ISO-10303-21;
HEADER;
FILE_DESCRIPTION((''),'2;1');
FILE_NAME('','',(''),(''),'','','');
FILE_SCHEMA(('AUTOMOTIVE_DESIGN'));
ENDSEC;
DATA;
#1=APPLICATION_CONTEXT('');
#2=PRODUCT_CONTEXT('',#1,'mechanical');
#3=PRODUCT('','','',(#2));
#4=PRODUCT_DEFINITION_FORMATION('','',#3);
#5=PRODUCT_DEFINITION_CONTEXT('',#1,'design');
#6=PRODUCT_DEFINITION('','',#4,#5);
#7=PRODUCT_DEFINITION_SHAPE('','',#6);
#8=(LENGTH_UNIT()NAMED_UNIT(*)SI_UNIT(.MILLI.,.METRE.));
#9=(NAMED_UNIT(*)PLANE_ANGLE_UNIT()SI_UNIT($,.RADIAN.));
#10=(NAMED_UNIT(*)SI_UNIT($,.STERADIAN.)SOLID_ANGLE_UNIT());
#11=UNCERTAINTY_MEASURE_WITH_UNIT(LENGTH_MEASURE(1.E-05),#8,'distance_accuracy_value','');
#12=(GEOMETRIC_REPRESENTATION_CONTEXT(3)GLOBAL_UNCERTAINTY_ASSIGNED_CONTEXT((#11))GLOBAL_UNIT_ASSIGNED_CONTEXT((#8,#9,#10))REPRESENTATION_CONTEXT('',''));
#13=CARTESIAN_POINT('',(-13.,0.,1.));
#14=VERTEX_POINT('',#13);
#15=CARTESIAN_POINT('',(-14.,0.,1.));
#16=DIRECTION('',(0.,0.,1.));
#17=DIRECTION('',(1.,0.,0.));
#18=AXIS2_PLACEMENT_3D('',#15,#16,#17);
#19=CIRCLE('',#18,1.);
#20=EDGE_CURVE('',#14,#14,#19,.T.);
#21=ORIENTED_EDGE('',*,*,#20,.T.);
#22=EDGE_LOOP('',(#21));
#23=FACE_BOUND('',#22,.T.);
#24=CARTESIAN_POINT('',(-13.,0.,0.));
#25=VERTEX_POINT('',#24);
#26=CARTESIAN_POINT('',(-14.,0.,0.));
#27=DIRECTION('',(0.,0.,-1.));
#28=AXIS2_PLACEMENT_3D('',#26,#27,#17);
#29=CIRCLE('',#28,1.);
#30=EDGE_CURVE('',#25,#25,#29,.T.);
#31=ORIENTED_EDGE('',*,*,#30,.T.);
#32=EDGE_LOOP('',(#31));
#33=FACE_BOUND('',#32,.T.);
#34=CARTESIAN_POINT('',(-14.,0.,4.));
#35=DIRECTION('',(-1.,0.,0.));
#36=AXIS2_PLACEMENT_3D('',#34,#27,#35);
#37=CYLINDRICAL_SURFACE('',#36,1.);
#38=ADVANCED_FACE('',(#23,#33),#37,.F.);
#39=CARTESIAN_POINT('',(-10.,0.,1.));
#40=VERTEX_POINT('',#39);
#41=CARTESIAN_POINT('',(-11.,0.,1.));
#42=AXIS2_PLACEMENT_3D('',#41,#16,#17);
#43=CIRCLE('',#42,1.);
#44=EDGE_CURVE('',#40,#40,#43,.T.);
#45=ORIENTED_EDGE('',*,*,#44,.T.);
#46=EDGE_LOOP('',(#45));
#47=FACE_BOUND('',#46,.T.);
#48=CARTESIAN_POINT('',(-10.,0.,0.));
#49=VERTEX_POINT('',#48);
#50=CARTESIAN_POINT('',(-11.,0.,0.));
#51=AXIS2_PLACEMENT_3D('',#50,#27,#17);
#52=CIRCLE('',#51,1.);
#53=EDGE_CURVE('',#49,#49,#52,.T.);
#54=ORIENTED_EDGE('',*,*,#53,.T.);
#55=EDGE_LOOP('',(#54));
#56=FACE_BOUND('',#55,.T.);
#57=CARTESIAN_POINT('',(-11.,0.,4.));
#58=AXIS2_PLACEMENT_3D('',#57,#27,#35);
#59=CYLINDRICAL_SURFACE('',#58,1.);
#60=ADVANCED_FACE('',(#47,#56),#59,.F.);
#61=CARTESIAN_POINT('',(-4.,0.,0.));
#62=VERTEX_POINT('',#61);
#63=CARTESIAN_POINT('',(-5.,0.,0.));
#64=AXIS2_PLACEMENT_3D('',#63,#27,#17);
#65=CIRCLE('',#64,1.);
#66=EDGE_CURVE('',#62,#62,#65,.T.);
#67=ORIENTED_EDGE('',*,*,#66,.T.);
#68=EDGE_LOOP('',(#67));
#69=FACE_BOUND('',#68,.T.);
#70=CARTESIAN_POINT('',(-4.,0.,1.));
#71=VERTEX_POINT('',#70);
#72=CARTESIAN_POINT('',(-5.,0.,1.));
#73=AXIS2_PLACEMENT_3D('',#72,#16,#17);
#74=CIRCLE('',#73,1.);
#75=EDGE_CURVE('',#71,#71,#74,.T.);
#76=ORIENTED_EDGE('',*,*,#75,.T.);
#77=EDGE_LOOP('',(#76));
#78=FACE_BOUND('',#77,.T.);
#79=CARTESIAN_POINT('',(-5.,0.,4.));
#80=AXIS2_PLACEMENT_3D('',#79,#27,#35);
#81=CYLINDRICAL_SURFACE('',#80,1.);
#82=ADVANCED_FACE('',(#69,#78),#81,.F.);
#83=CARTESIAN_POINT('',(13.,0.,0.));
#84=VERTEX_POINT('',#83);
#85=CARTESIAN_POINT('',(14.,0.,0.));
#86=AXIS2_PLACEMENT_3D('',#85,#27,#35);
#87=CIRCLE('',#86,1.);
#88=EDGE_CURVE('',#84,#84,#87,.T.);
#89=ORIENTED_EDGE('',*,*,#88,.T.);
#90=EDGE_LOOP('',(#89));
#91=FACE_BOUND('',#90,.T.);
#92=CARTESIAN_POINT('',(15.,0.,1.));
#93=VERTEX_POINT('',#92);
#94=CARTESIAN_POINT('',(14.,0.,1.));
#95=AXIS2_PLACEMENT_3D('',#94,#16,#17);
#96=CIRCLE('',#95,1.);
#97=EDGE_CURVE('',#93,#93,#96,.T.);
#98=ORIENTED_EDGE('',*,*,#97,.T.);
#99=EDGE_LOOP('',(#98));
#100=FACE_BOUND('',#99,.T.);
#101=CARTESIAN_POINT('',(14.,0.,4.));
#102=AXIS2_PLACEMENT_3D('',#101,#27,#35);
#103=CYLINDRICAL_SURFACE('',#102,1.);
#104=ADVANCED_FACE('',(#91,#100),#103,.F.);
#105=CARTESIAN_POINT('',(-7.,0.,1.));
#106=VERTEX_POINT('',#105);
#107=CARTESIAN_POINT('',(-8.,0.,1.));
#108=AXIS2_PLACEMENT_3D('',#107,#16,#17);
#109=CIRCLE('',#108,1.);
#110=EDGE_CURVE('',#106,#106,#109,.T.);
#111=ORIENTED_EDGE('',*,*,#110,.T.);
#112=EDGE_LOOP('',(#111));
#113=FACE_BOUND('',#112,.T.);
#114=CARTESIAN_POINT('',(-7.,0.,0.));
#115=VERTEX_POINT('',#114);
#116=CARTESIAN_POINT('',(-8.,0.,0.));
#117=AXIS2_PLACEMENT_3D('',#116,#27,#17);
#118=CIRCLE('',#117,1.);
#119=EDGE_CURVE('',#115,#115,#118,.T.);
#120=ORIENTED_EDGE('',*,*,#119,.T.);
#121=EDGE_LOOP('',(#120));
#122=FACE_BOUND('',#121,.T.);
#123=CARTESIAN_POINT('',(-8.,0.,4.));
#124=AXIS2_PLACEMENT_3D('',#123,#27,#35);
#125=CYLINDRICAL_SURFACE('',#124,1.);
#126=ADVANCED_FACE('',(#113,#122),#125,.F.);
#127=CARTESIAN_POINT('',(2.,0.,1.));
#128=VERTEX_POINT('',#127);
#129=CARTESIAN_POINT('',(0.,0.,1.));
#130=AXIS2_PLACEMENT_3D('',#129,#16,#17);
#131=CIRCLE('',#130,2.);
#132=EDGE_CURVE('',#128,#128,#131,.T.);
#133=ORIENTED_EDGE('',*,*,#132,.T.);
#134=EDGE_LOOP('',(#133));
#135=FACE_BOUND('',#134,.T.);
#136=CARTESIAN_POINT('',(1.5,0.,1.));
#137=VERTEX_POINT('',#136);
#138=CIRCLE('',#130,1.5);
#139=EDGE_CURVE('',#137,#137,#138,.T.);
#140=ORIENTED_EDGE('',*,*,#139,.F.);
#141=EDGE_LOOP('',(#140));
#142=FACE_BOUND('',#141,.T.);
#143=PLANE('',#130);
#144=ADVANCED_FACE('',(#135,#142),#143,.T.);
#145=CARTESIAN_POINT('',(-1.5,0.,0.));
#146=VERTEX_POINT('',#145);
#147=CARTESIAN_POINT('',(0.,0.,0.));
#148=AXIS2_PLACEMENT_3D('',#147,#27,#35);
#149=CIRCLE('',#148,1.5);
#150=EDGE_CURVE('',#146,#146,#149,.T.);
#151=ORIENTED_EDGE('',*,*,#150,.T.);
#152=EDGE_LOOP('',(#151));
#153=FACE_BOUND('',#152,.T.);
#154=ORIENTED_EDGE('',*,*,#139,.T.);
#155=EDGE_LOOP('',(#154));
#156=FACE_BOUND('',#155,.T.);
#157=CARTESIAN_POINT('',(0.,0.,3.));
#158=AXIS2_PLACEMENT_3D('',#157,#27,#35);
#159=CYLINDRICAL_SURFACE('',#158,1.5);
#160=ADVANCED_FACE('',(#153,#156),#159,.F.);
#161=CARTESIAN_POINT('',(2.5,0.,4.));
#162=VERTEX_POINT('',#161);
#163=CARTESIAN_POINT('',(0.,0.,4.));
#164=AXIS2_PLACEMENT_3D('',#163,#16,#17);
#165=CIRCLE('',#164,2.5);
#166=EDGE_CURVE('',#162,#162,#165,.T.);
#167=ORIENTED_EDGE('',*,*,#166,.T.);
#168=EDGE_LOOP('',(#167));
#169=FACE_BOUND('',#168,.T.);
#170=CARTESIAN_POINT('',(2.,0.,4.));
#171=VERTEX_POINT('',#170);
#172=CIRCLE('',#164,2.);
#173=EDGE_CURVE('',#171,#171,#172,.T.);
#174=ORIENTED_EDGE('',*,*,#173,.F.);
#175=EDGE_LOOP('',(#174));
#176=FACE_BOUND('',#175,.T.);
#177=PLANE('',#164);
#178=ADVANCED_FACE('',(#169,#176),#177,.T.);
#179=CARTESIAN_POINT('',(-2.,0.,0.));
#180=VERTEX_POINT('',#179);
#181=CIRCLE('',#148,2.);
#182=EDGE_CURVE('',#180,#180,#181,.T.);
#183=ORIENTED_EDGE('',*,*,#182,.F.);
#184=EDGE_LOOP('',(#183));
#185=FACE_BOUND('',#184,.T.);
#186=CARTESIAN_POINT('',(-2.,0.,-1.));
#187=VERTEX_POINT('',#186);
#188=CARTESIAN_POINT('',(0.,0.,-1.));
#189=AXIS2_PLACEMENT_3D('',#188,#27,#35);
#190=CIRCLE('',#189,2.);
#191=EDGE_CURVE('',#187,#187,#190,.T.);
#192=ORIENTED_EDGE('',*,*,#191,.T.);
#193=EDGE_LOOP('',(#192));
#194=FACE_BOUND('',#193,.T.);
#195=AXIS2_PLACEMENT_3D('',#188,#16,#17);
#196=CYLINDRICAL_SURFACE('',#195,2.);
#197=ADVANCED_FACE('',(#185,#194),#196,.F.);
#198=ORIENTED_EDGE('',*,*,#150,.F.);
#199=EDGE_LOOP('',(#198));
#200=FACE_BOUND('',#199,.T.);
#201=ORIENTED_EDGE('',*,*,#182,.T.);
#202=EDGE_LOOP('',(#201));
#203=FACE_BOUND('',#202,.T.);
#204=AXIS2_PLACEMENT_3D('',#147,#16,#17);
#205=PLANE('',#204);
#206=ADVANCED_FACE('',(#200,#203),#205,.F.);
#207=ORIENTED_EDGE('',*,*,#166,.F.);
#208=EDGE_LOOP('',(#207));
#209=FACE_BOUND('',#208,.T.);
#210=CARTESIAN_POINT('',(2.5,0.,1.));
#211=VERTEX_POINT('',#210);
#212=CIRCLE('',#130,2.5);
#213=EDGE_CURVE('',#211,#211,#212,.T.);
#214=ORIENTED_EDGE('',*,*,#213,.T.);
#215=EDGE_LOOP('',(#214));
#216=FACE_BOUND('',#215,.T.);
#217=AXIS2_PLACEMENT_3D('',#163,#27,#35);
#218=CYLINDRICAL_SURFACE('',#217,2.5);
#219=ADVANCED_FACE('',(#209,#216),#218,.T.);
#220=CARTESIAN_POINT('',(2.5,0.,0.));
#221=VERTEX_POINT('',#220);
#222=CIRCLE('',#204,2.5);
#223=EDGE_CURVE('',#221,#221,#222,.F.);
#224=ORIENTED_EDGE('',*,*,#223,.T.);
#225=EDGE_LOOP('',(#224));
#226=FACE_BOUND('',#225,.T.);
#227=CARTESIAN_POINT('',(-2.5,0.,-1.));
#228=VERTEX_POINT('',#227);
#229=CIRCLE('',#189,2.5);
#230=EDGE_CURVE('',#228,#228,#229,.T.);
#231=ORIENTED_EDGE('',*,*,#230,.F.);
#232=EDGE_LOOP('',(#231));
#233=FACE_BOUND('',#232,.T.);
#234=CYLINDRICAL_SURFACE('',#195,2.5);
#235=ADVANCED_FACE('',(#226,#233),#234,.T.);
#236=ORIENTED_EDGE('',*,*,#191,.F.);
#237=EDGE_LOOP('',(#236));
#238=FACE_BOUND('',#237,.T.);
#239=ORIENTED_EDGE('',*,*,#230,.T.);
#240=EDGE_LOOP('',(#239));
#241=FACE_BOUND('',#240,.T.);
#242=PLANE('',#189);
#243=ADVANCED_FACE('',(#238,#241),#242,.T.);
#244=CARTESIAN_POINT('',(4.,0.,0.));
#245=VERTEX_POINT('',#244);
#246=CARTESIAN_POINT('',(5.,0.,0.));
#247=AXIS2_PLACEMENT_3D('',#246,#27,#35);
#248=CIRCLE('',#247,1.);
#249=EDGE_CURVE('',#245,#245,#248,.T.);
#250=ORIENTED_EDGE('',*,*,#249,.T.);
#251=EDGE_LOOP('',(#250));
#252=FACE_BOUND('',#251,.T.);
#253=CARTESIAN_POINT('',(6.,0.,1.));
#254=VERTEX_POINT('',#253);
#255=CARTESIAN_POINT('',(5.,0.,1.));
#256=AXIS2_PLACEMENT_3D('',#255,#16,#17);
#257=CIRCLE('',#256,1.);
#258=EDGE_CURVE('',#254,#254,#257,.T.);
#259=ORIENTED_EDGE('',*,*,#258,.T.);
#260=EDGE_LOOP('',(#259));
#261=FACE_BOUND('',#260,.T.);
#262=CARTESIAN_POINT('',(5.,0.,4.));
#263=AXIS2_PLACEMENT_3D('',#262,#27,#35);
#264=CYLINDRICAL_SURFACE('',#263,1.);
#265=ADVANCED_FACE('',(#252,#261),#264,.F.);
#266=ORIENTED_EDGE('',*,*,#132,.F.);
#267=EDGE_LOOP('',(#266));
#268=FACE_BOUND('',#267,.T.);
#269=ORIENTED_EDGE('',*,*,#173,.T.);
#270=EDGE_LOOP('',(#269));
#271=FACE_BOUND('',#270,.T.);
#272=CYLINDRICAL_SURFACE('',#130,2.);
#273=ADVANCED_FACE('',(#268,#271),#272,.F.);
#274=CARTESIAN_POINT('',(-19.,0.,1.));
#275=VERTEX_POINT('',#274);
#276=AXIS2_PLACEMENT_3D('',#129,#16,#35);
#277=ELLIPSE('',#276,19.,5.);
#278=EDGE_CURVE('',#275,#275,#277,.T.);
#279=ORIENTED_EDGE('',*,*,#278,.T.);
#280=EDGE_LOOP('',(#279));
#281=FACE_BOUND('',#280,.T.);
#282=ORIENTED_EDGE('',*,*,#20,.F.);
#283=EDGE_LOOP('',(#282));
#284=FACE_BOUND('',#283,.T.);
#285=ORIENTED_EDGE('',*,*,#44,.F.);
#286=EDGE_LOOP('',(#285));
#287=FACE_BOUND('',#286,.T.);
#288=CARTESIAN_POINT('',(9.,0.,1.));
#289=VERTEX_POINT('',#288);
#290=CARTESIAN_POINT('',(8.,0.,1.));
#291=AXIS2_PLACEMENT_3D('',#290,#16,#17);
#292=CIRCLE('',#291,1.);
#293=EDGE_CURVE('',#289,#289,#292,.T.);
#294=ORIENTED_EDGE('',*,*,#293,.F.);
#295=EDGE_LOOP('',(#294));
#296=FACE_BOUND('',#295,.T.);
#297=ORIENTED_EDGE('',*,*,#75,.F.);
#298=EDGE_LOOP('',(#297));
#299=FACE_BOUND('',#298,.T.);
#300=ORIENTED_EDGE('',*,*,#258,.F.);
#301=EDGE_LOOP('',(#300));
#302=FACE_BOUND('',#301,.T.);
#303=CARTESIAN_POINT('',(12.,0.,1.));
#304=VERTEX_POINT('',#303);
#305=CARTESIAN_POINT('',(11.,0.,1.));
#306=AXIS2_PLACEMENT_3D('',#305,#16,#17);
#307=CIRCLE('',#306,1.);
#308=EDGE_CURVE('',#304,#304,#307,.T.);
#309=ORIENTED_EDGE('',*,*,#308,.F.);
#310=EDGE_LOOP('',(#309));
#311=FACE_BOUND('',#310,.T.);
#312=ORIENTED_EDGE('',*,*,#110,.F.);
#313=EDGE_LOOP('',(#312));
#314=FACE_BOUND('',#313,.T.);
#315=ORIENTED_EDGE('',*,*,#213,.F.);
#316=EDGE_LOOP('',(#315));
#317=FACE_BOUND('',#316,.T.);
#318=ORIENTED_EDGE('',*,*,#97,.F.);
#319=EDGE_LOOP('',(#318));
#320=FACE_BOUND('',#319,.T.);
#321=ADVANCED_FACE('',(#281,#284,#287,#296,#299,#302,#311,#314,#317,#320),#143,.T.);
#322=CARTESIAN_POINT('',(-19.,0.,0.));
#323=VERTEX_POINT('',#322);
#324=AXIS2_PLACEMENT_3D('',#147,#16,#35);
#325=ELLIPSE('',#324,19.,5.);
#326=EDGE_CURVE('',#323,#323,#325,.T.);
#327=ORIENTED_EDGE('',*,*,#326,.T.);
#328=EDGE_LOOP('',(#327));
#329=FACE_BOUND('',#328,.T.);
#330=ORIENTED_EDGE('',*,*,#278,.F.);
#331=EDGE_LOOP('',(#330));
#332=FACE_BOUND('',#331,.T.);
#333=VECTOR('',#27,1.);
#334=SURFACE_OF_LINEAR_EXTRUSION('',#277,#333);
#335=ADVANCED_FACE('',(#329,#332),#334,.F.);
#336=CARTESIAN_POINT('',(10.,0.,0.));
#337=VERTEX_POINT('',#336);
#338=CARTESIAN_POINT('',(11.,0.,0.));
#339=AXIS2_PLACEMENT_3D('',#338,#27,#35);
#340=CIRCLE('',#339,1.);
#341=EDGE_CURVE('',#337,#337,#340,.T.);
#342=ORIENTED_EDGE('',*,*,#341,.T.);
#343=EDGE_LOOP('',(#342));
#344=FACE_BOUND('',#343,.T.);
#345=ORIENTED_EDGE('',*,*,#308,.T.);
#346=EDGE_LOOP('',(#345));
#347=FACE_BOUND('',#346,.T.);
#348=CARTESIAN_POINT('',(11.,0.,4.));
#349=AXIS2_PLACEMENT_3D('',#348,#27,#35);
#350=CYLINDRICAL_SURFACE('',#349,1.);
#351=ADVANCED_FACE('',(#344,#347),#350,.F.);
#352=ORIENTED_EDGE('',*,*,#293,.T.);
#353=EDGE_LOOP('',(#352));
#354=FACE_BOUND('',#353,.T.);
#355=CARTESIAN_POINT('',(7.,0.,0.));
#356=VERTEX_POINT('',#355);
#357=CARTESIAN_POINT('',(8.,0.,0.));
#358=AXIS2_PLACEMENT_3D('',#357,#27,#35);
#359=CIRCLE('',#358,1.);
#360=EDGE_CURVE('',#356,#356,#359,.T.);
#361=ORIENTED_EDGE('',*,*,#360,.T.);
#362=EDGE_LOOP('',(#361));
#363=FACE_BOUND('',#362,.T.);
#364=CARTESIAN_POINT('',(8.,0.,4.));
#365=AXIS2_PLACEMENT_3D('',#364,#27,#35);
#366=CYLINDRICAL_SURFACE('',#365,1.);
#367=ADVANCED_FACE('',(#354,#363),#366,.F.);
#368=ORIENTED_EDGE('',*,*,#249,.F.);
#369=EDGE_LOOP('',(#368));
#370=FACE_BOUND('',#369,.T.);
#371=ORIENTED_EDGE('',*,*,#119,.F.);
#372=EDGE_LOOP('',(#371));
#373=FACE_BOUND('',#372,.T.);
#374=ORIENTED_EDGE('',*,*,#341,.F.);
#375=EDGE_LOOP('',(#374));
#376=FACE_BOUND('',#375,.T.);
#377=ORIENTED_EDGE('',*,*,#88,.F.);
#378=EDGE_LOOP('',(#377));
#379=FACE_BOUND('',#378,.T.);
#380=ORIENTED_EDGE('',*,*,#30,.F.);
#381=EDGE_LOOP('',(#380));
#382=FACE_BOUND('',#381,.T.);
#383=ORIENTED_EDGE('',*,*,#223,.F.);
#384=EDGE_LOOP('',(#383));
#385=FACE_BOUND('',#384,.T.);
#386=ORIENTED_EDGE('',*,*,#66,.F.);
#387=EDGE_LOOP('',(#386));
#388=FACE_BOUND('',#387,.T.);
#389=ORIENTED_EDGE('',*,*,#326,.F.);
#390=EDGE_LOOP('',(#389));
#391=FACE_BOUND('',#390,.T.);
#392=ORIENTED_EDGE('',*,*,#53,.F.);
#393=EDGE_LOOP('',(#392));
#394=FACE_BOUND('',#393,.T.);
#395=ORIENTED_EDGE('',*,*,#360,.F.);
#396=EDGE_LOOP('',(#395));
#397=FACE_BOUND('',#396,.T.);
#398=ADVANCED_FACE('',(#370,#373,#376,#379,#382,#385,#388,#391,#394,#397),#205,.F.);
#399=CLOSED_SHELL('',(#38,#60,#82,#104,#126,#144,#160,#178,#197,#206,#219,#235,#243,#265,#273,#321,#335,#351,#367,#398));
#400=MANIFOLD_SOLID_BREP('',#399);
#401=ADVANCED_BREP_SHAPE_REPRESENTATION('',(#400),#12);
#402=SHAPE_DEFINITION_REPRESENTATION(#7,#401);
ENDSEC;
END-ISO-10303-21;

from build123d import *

# Parameters (mm, degrees)
SKETCH_1_RX         = 19
SKETCH_1_RY         = 5
EXTRUDE_1_DEPTH     = 1
SKETCH_2_R          = 2.5
EXTRUDE_2_DEPTH     = 3
SKETCH_3_R          = 1
CUT_EXTRUDE_1_DEPTH = 5
SKETCH_4_R          = 2
CUT_EXTRUDE_2_DEPTH = 3
SKETCH_5_R          = 1.5
CUT_EXTRUDE_3_DEPTH = 3
SKETCH_6_R          = 2.5
SKETCH_6_R_2        = 2
EXTRUDE_3_DEPTH     = 1


with BuildPart() as part:
    # 스케치1 → 보스-돌출1 (new body)
    with BuildSketch(Plane.XY):
        with Locations(Location((0, 0), (0, 0, 180))):
            Ellipse(SKETCH_1_RX, SKETCH_1_RY)
    extrude(amount=EXTRUDE_1_DEPTH)

    # 스케치2 → 보스-돌출2 (add)
    with BuildSketch(Plane.XY.offset(1)):
        Circle(SKETCH_2_R)
    extrude(amount=EXTRUDE_2_DEPTH)

    # 스케치3 → 컷-돌출1 (cut, through all)
    with BuildSketch(Plane(origin=(0, 0, 0), x_dir=(-1, 0, 0), z_dir=(0, 0, -1))):
        with Locations((-5, 0)):
            Circle(SKETCH_3_R)
        with Locations((-8, 0)):
            Circle(SKETCH_3_R)
        with Locations((-11, 0)):
            Circle(SKETCH_3_R)
        with Locations((-14, 0)):
            Circle(SKETCH_3_R)
        with Locations((14, 0)):
            Circle(SKETCH_3_R)
        with Locations((11, 0)):
            Circle(SKETCH_3_R)
        with Locations((8, 0)):
            Circle(SKETCH_3_R)
        with Locations((5, 0)):
            Circle(SKETCH_3_R)
    extrude(amount=-CUT_EXTRUDE_1_DEPTH, mode=Mode.SUBTRACT)

    # 스케치4 → 컷-돌출2 (cut)
    with BuildSketch(Plane.XY.offset(4)):
        Circle(SKETCH_4_R)
    extrude(amount=-CUT_EXTRUDE_2_DEPTH, mode=Mode.SUBTRACT)

    # 스케치5 → 컷-돌출3 (cut)
    with BuildSketch(Plane(origin=(0, 0, 0), x_dir=(-1, 0, 0), z_dir=(0, 0, -1))):
        Circle(SKETCH_5_R)
    extrude(amount=-CUT_EXTRUDE_3_DEPTH, mode=Mode.SUBTRACT)

    # 스케치6 → 보스-돌출3 (add)
    with BuildSketch(Plane(origin=(0, 0, 0), x_dir=(-1, 0, 0), z_dir=(0, 0, -1))):
        Circle(SKETCH_6_R)
        Circle(SKETCH_6_R_2, mode=Mode.SUBTRACT)
    extrude(amount=EXTRUDE_3_DEPTH)


solid = part.part
